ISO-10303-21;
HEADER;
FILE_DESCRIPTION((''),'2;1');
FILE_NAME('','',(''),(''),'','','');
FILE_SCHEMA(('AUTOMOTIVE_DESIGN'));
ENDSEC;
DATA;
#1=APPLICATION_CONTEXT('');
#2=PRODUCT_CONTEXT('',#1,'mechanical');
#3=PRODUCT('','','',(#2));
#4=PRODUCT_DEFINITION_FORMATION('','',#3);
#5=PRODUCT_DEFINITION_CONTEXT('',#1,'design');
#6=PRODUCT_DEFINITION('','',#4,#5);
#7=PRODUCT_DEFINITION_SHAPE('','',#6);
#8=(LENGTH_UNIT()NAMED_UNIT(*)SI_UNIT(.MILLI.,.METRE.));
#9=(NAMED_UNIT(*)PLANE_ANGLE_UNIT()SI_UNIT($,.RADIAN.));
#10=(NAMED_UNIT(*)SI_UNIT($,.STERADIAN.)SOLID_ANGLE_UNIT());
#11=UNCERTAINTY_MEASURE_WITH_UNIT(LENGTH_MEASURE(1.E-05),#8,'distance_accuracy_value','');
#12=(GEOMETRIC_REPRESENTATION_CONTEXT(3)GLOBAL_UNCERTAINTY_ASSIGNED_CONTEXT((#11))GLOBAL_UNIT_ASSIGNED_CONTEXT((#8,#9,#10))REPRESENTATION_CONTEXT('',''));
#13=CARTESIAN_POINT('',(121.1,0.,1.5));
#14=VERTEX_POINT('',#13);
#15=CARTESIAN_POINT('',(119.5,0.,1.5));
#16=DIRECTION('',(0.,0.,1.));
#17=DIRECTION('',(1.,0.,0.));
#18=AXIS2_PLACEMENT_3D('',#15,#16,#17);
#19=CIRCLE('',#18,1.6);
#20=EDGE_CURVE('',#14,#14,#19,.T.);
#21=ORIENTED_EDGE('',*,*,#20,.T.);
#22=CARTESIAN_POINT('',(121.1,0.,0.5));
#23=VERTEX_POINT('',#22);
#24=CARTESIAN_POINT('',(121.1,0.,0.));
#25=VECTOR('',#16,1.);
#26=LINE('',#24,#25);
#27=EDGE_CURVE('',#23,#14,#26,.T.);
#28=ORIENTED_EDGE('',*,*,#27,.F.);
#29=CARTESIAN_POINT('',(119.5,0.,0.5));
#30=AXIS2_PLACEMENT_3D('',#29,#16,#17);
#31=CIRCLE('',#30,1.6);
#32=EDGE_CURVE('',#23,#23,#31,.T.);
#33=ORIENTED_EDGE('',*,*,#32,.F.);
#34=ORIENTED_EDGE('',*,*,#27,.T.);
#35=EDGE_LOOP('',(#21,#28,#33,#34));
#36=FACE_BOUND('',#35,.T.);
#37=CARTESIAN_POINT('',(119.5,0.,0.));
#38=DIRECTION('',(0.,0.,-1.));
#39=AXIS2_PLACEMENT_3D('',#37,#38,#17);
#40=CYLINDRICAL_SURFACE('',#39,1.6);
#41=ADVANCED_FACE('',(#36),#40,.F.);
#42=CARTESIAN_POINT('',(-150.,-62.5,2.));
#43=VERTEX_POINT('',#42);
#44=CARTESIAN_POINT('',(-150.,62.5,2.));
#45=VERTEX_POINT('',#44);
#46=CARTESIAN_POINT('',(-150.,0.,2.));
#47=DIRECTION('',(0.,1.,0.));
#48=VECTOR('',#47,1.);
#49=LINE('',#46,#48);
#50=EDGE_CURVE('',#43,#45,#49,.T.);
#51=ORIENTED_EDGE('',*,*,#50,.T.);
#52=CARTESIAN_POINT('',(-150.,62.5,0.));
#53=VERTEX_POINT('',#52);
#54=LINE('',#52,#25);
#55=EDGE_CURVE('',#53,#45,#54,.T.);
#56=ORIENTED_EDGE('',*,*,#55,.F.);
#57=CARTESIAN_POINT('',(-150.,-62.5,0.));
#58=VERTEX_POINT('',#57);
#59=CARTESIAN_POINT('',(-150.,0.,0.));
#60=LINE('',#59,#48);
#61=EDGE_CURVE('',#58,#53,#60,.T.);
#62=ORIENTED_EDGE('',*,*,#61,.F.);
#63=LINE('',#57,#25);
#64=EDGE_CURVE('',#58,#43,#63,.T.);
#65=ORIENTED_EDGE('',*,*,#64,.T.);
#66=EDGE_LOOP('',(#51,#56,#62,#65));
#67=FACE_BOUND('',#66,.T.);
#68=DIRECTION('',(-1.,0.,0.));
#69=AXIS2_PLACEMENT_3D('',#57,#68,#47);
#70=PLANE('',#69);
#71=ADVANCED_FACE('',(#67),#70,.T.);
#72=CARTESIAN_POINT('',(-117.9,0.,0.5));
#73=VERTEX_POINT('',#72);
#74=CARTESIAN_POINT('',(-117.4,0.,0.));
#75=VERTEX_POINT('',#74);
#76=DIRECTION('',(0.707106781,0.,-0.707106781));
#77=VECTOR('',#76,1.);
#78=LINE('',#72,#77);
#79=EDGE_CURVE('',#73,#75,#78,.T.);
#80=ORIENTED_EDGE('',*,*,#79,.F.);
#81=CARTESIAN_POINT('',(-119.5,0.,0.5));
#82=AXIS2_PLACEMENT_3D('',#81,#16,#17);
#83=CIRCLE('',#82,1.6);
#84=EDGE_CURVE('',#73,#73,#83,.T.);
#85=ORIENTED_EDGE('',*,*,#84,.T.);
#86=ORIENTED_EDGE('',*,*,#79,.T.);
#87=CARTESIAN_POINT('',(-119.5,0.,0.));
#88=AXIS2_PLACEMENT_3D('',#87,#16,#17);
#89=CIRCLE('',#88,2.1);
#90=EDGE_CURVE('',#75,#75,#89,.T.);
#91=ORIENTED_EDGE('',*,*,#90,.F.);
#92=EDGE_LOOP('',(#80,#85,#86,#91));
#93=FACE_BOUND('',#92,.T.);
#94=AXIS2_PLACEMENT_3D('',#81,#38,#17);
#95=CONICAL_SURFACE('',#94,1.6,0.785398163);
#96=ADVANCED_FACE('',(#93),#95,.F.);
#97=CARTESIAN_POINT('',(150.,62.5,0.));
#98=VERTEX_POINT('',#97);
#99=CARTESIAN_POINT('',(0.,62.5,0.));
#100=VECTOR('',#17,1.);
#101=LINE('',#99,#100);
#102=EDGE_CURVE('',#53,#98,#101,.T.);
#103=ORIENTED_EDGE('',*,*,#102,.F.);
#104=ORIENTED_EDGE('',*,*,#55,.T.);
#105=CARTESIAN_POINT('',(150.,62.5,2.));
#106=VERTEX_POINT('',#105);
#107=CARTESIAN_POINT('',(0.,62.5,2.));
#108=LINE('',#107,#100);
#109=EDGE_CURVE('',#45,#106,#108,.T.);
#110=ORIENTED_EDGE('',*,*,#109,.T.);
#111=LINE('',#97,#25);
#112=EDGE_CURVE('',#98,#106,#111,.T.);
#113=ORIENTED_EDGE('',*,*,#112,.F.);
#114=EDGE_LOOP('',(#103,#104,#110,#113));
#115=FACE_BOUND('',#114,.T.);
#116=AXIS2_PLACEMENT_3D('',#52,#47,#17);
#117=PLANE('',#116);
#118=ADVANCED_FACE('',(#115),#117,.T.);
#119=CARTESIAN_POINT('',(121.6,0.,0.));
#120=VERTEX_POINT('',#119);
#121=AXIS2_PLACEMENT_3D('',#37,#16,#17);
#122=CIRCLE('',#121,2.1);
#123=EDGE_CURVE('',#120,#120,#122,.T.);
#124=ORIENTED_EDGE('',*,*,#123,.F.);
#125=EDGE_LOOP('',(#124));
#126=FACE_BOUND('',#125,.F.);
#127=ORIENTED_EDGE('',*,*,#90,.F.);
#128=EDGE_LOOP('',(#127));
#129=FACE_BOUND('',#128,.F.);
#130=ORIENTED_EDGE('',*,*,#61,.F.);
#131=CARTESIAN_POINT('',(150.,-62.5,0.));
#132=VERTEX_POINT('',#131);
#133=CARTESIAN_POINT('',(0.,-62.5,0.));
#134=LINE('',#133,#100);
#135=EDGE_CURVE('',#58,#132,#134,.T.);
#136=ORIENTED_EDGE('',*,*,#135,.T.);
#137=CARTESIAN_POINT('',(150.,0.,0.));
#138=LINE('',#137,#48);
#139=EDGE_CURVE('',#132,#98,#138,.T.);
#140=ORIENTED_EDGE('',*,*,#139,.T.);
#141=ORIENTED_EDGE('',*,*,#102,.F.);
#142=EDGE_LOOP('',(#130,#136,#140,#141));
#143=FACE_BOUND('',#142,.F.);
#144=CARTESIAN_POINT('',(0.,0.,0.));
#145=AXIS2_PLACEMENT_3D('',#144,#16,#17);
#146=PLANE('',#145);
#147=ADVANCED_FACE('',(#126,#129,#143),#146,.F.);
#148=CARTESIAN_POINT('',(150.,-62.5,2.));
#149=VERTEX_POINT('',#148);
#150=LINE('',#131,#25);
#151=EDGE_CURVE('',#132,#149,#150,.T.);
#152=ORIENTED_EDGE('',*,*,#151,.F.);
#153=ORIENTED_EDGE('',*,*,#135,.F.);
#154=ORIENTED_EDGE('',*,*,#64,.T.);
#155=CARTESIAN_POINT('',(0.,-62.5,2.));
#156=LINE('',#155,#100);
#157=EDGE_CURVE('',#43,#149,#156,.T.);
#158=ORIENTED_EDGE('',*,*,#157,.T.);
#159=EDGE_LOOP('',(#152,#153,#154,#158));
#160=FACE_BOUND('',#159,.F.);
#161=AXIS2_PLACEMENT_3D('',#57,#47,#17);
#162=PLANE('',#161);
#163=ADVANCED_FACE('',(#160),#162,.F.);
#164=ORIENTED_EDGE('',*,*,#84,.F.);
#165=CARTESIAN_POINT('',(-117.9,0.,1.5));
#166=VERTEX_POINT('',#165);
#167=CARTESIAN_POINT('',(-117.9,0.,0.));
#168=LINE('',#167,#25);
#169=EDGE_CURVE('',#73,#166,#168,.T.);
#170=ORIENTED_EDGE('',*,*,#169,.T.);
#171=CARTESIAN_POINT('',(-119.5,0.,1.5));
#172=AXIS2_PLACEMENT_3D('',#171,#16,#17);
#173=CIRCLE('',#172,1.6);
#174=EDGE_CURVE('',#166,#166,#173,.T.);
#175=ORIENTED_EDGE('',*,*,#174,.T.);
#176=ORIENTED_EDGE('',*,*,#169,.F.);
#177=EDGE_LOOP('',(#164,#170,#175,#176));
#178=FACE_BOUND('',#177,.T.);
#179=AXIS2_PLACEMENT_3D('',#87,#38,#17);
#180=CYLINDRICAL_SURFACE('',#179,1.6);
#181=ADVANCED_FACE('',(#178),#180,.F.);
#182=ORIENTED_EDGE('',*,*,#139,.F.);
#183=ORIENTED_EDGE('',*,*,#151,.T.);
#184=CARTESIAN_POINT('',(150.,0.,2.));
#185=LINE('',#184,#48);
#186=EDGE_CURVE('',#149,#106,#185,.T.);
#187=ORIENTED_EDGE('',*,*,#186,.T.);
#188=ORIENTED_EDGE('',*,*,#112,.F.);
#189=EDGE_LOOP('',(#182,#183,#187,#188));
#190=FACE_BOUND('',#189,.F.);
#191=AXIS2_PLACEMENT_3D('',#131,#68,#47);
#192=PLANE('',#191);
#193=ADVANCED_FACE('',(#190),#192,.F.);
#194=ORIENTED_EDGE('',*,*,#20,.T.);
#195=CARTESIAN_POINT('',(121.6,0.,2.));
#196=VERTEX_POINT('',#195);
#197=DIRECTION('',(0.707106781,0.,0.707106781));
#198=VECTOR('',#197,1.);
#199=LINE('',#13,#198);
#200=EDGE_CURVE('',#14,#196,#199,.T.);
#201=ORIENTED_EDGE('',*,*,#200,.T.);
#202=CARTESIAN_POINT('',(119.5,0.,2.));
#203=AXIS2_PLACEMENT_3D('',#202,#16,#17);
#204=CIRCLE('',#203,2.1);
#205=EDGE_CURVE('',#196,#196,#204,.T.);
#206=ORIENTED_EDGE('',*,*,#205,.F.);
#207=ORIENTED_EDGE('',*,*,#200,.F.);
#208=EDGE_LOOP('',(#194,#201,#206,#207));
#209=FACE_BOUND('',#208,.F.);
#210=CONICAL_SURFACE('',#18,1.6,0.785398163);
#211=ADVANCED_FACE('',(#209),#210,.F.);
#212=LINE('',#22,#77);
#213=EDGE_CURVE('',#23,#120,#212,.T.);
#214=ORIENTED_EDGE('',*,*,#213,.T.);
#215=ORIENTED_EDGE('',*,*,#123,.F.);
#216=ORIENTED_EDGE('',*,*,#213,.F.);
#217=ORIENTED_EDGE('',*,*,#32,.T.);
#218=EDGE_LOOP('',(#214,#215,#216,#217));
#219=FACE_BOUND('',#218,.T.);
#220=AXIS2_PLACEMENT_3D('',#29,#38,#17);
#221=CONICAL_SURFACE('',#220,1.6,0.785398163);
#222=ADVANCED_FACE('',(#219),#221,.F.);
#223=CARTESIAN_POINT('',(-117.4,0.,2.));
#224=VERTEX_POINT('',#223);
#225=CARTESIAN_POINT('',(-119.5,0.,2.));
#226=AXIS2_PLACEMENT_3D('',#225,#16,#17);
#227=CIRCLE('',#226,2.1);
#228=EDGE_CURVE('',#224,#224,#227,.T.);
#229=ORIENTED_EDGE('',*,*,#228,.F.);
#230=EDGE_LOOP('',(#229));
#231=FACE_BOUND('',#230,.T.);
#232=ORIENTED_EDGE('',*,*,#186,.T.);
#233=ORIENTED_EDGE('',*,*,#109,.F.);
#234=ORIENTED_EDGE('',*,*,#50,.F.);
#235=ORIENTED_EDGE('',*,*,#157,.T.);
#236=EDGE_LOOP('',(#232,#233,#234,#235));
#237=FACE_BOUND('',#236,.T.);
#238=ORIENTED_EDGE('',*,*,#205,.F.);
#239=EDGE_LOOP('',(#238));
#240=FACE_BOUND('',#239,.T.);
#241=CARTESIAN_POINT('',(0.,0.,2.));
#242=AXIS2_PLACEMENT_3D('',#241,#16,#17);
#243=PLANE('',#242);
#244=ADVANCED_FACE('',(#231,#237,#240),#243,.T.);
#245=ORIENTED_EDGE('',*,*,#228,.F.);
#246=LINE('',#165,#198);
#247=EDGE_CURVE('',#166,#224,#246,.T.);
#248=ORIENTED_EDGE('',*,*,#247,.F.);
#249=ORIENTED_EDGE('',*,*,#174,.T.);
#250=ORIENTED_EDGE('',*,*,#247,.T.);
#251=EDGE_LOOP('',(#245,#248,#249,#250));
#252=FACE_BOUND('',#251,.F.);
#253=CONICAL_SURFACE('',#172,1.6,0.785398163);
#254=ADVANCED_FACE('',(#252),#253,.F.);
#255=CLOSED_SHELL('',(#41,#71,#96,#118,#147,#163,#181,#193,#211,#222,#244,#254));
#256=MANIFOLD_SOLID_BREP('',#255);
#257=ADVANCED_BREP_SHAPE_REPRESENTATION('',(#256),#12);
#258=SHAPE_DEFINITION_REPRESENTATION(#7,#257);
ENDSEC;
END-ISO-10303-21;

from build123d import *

# Parameters (mm, degrees)
F0_W     = 300
F0_H     = 125
F0_R     = 1.6
F1_DEPTH = 2
F2_SIZE  = 0.5


with BuildPart() as f1:
    # F0 (on Top) → F1 (new body)
    with BuildSketch(Plane.XY):
        Rectangle(F0_W, F0_H)
        with Locations((-119.5, 0)):
            Circle(F0_R, mode=Mode.SUBTRACT)
        with Locations((119.5, 0)):
            Circle(F0_R, mode=Mode.SUBTRACT)
    extrude(amount=F1_DEPTH)

    # F2
    f2_edges = [f1.edges().sort_by_distance(p)[0] for p in [
        (-117.9, 0, 1),
        (-121.1, 0, 0),
        (-121.1, 0, 2),
        (121.1, 0, 1),
        (117.9, 0, 0),
        (117.9, 0, 2),
    ]]
    chamfer(f2_edges, length=F2_SIZE)


solid = f1.part
